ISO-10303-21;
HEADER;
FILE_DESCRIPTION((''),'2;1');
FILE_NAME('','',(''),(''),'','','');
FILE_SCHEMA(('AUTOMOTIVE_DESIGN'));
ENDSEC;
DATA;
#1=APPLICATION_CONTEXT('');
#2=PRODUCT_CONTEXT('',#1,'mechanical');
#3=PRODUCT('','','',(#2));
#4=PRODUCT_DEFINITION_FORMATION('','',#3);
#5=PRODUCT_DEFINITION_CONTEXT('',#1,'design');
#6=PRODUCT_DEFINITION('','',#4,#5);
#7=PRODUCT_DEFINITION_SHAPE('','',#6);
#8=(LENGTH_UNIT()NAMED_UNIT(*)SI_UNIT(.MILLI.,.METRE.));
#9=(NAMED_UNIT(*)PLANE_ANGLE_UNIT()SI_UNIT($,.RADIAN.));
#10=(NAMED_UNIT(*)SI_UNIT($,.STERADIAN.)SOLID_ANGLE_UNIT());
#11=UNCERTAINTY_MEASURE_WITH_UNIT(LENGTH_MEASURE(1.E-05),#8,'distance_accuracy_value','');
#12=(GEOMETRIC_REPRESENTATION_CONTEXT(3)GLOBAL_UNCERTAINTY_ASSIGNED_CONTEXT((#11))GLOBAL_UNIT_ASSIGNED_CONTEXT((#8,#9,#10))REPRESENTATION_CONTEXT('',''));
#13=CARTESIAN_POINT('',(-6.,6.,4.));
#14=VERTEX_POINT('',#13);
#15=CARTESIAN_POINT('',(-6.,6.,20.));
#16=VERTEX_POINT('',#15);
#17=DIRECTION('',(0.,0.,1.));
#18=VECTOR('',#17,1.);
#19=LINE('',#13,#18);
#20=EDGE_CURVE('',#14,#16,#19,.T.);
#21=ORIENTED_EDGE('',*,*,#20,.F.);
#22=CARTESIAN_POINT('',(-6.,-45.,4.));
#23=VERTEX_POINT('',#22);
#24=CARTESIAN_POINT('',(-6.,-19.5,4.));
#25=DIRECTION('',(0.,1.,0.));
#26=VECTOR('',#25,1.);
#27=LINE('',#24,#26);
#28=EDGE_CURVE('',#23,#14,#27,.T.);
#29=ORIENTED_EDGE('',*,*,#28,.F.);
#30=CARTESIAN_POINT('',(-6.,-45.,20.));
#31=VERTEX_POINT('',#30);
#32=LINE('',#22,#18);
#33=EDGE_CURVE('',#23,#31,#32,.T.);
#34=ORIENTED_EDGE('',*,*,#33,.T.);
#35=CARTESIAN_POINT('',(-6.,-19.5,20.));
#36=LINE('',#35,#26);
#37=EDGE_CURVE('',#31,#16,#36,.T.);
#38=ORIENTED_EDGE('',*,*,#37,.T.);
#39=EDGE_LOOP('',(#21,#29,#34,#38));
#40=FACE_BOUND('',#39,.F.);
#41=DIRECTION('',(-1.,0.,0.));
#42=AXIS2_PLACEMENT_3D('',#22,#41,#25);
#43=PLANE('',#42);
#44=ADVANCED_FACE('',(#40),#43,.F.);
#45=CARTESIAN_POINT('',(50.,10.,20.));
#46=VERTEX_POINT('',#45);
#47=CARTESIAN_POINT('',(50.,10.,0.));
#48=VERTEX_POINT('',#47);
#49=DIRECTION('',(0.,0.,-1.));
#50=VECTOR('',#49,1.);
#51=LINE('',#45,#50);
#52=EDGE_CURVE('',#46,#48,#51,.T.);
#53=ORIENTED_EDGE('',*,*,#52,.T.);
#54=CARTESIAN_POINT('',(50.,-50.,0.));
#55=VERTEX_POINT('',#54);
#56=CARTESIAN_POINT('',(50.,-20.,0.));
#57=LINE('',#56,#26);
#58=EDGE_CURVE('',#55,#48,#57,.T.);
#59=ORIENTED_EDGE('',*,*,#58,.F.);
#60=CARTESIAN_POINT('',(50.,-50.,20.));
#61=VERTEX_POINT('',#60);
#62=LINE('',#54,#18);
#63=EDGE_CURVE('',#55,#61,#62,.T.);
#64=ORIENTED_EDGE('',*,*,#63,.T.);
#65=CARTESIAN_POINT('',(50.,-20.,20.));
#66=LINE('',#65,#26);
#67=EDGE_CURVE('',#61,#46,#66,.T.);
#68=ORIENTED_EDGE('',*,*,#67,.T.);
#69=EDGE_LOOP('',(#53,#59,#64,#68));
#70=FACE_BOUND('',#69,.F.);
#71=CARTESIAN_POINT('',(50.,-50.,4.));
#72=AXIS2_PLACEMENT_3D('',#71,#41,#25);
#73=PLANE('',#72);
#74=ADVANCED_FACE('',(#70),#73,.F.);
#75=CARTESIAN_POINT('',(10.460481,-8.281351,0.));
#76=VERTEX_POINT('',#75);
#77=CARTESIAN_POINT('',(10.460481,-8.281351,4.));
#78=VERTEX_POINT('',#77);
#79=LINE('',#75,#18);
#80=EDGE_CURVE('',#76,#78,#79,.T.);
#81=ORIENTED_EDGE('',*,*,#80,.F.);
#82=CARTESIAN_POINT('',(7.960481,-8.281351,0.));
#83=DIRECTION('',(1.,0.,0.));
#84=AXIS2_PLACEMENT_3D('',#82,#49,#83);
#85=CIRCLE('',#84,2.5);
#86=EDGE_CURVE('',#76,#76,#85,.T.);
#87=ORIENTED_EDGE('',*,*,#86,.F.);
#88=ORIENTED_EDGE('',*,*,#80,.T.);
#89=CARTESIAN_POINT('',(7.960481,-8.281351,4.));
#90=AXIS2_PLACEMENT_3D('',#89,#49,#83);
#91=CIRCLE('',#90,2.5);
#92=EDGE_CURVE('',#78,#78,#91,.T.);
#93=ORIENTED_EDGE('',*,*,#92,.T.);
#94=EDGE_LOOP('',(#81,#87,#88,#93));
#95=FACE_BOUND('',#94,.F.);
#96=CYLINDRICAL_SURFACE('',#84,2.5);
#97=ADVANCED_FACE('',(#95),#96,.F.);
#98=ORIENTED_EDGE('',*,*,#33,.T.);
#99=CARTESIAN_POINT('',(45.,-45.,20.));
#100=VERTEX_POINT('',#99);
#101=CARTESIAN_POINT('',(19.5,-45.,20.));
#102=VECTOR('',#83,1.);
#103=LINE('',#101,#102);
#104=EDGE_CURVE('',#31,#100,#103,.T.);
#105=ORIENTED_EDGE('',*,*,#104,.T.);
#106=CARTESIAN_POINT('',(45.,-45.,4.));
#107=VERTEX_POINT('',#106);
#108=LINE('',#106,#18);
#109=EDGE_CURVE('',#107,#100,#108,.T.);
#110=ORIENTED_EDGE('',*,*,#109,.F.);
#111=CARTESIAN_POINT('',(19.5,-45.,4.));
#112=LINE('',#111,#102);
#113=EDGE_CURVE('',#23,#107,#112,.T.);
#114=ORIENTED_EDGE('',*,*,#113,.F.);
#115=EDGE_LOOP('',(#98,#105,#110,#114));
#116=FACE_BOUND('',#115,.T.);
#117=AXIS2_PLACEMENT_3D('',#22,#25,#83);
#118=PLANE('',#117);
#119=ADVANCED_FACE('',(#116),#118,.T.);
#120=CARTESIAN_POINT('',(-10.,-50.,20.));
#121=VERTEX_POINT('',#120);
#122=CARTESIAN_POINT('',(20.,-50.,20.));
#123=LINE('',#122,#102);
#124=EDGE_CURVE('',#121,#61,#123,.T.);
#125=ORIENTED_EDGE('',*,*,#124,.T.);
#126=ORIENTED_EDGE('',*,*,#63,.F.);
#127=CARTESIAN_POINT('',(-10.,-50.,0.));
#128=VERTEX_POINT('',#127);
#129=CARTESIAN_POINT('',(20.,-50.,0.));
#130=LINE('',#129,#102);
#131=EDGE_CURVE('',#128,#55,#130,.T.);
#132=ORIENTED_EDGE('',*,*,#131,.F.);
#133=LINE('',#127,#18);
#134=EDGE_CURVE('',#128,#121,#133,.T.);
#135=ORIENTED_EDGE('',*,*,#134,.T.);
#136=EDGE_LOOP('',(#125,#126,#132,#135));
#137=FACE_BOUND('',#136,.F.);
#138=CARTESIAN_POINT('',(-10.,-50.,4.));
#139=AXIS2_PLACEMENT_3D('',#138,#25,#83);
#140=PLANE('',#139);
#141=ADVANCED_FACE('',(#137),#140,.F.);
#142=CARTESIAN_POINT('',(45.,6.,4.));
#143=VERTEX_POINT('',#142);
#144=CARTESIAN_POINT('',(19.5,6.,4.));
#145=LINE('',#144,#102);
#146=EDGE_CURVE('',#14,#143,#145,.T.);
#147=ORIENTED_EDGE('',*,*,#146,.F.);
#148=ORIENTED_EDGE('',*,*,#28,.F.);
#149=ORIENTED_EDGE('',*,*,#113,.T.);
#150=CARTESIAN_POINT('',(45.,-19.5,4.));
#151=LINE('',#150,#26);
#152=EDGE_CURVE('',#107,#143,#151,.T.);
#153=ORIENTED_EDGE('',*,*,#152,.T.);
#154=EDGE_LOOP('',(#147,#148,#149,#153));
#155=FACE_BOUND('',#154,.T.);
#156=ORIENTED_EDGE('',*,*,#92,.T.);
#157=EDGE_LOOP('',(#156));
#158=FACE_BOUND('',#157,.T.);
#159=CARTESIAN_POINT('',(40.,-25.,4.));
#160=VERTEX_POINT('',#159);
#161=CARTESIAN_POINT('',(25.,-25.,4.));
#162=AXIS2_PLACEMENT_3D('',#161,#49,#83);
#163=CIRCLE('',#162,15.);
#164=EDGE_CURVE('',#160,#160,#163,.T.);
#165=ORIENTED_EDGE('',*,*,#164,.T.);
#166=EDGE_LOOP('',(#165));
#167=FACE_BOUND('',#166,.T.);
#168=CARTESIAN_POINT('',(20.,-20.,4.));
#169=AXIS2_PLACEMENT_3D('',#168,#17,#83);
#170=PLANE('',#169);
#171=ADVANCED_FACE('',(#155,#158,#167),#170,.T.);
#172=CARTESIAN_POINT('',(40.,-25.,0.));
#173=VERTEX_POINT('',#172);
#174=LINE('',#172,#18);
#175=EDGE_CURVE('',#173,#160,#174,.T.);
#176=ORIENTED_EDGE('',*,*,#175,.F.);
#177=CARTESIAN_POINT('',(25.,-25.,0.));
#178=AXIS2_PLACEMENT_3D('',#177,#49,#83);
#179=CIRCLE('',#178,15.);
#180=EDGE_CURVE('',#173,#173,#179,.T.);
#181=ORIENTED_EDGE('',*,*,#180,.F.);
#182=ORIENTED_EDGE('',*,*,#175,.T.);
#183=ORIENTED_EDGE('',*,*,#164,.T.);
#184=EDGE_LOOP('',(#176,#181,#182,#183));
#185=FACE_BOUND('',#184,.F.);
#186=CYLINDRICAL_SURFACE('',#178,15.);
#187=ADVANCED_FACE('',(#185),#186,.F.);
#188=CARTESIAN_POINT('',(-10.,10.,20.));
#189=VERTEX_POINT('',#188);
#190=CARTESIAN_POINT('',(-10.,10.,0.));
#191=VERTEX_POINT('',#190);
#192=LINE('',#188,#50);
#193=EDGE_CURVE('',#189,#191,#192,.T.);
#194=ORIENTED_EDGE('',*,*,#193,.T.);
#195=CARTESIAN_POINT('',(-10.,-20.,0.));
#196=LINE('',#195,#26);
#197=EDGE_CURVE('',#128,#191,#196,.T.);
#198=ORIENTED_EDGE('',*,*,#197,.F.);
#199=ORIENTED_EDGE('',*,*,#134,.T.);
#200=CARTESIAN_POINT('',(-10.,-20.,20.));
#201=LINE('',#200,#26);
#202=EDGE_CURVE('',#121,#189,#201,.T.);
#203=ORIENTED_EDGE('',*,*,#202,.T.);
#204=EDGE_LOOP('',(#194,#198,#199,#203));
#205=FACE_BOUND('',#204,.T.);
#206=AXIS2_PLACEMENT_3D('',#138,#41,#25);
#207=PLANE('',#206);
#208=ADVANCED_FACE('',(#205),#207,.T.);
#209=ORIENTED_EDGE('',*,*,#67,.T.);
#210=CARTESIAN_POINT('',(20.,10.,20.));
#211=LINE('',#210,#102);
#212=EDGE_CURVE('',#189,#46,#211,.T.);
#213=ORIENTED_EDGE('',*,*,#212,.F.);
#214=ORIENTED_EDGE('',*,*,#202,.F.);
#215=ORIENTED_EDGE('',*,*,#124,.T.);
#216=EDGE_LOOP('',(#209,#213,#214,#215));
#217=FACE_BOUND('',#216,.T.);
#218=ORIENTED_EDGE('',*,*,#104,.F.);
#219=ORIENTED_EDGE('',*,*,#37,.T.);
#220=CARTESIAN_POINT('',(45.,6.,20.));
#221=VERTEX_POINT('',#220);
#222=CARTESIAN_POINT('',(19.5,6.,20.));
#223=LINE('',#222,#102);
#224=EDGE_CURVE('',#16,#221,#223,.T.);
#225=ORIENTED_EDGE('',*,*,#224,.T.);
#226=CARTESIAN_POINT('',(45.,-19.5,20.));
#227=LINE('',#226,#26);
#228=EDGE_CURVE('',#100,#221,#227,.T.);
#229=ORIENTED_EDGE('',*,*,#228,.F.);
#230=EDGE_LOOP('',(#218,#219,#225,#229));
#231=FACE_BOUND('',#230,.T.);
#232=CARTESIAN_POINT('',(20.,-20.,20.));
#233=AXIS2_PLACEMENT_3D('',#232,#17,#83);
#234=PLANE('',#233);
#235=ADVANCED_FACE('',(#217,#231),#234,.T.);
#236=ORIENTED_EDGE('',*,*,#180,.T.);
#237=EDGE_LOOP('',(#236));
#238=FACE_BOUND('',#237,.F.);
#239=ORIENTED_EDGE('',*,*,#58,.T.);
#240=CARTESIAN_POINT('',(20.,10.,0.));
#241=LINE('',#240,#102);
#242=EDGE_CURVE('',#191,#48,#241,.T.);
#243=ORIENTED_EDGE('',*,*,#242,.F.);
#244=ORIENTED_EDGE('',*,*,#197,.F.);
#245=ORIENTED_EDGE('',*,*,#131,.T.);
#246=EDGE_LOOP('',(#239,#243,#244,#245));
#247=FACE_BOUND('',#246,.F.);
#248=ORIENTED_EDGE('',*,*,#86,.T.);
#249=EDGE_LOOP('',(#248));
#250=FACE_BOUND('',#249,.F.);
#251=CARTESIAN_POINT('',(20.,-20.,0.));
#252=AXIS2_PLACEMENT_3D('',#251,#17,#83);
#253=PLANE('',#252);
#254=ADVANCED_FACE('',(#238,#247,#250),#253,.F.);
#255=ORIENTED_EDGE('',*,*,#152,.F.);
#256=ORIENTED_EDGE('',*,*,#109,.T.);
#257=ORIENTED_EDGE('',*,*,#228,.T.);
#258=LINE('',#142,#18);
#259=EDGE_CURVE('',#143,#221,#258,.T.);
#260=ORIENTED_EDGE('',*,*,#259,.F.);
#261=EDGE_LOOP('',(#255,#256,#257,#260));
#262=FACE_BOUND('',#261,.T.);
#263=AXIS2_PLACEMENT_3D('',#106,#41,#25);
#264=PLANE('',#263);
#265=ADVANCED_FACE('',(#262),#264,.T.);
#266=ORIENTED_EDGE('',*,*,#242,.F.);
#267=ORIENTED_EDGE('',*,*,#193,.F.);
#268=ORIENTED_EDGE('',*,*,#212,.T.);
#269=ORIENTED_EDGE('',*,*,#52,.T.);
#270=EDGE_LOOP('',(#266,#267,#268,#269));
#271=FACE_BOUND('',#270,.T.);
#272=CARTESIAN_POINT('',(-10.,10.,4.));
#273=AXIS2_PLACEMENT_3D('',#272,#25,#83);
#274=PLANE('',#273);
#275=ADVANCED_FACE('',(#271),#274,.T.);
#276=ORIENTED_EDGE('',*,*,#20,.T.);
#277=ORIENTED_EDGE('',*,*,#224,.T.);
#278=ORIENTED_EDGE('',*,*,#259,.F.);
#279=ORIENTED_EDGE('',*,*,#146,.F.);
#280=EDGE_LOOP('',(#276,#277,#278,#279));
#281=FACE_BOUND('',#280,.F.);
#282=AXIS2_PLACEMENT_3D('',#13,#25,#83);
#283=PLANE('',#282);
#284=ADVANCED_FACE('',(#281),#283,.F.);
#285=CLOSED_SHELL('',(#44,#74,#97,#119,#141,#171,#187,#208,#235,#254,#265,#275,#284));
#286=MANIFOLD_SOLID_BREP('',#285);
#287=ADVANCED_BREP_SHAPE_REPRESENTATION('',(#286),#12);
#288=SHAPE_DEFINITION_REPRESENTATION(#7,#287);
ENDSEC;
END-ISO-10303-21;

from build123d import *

# Parameters (mm, degrees)
SKETCH_W        = 60
SKETCH_H        = 60
PAD_DEPTH       = 4
SKETCH001_W     = 60
SKETCH001_H     = 60
SKETCH001_W_2   = 51
SKETCH001_H_2   = 51
PAD001_DEPTH    = 16
SKETCH002_R     = 15
POCKET_DEPTH    = 5
SKETCH003_R     = 2.5
POCKET001_DEPTH = 5


with BuildPart() as part:
    # Sketch → Pad (new body)
    with BuildSketch(Plane.XY):
        with Locations((20, -20)):
            Rectangle(SKETCH_W, SKETCH_H)
    extrude(amount=PAD_DEPTH)

    # Sketch001 (on Face6 of Pad) → Pad001 (join)
    with BuildSketch(Plane.XY.offset(4)):
        with Locations((20, -20)):
            Rectangle(SKETCH001_W, SKETCH001_H)
        with Locations((19.5, -19.5)):
            Rectangle(SKETCH001_W_2, SKETCH001_H_2, mode=Mode.SUBTRACT)
    extrude(amount=PAD001_DEPTH)

    # Sketch002 (on Face4 of Pad001) → Pocket (cut)
    with BuildSketch(Plane(origin=(0, 0, 0), x_dir=(1, 0, 0), z_dir=(0, 0, -1))):
        with Locations((25, 25)):
            Circle(SKETCH002_R)
    extrude(amount=-POCKET_DEPTH, mode=Mode.SUBTRACT)

    # Sketch003 (on Face4 of Pocket) → Pocket001 (cut)
    with BuildSketch(Plane(origin=(0, 0, 0), x_dir=(1, 0, 0), z_dir=(0, 0, -1))):
        with Locations((7.960481, 8.281351)):
            Circle(SKETCH003_R)
    extrude(amount=-POCKET001_DEPTH, mode=Mode.SUBTRACT)


solid = part.part
